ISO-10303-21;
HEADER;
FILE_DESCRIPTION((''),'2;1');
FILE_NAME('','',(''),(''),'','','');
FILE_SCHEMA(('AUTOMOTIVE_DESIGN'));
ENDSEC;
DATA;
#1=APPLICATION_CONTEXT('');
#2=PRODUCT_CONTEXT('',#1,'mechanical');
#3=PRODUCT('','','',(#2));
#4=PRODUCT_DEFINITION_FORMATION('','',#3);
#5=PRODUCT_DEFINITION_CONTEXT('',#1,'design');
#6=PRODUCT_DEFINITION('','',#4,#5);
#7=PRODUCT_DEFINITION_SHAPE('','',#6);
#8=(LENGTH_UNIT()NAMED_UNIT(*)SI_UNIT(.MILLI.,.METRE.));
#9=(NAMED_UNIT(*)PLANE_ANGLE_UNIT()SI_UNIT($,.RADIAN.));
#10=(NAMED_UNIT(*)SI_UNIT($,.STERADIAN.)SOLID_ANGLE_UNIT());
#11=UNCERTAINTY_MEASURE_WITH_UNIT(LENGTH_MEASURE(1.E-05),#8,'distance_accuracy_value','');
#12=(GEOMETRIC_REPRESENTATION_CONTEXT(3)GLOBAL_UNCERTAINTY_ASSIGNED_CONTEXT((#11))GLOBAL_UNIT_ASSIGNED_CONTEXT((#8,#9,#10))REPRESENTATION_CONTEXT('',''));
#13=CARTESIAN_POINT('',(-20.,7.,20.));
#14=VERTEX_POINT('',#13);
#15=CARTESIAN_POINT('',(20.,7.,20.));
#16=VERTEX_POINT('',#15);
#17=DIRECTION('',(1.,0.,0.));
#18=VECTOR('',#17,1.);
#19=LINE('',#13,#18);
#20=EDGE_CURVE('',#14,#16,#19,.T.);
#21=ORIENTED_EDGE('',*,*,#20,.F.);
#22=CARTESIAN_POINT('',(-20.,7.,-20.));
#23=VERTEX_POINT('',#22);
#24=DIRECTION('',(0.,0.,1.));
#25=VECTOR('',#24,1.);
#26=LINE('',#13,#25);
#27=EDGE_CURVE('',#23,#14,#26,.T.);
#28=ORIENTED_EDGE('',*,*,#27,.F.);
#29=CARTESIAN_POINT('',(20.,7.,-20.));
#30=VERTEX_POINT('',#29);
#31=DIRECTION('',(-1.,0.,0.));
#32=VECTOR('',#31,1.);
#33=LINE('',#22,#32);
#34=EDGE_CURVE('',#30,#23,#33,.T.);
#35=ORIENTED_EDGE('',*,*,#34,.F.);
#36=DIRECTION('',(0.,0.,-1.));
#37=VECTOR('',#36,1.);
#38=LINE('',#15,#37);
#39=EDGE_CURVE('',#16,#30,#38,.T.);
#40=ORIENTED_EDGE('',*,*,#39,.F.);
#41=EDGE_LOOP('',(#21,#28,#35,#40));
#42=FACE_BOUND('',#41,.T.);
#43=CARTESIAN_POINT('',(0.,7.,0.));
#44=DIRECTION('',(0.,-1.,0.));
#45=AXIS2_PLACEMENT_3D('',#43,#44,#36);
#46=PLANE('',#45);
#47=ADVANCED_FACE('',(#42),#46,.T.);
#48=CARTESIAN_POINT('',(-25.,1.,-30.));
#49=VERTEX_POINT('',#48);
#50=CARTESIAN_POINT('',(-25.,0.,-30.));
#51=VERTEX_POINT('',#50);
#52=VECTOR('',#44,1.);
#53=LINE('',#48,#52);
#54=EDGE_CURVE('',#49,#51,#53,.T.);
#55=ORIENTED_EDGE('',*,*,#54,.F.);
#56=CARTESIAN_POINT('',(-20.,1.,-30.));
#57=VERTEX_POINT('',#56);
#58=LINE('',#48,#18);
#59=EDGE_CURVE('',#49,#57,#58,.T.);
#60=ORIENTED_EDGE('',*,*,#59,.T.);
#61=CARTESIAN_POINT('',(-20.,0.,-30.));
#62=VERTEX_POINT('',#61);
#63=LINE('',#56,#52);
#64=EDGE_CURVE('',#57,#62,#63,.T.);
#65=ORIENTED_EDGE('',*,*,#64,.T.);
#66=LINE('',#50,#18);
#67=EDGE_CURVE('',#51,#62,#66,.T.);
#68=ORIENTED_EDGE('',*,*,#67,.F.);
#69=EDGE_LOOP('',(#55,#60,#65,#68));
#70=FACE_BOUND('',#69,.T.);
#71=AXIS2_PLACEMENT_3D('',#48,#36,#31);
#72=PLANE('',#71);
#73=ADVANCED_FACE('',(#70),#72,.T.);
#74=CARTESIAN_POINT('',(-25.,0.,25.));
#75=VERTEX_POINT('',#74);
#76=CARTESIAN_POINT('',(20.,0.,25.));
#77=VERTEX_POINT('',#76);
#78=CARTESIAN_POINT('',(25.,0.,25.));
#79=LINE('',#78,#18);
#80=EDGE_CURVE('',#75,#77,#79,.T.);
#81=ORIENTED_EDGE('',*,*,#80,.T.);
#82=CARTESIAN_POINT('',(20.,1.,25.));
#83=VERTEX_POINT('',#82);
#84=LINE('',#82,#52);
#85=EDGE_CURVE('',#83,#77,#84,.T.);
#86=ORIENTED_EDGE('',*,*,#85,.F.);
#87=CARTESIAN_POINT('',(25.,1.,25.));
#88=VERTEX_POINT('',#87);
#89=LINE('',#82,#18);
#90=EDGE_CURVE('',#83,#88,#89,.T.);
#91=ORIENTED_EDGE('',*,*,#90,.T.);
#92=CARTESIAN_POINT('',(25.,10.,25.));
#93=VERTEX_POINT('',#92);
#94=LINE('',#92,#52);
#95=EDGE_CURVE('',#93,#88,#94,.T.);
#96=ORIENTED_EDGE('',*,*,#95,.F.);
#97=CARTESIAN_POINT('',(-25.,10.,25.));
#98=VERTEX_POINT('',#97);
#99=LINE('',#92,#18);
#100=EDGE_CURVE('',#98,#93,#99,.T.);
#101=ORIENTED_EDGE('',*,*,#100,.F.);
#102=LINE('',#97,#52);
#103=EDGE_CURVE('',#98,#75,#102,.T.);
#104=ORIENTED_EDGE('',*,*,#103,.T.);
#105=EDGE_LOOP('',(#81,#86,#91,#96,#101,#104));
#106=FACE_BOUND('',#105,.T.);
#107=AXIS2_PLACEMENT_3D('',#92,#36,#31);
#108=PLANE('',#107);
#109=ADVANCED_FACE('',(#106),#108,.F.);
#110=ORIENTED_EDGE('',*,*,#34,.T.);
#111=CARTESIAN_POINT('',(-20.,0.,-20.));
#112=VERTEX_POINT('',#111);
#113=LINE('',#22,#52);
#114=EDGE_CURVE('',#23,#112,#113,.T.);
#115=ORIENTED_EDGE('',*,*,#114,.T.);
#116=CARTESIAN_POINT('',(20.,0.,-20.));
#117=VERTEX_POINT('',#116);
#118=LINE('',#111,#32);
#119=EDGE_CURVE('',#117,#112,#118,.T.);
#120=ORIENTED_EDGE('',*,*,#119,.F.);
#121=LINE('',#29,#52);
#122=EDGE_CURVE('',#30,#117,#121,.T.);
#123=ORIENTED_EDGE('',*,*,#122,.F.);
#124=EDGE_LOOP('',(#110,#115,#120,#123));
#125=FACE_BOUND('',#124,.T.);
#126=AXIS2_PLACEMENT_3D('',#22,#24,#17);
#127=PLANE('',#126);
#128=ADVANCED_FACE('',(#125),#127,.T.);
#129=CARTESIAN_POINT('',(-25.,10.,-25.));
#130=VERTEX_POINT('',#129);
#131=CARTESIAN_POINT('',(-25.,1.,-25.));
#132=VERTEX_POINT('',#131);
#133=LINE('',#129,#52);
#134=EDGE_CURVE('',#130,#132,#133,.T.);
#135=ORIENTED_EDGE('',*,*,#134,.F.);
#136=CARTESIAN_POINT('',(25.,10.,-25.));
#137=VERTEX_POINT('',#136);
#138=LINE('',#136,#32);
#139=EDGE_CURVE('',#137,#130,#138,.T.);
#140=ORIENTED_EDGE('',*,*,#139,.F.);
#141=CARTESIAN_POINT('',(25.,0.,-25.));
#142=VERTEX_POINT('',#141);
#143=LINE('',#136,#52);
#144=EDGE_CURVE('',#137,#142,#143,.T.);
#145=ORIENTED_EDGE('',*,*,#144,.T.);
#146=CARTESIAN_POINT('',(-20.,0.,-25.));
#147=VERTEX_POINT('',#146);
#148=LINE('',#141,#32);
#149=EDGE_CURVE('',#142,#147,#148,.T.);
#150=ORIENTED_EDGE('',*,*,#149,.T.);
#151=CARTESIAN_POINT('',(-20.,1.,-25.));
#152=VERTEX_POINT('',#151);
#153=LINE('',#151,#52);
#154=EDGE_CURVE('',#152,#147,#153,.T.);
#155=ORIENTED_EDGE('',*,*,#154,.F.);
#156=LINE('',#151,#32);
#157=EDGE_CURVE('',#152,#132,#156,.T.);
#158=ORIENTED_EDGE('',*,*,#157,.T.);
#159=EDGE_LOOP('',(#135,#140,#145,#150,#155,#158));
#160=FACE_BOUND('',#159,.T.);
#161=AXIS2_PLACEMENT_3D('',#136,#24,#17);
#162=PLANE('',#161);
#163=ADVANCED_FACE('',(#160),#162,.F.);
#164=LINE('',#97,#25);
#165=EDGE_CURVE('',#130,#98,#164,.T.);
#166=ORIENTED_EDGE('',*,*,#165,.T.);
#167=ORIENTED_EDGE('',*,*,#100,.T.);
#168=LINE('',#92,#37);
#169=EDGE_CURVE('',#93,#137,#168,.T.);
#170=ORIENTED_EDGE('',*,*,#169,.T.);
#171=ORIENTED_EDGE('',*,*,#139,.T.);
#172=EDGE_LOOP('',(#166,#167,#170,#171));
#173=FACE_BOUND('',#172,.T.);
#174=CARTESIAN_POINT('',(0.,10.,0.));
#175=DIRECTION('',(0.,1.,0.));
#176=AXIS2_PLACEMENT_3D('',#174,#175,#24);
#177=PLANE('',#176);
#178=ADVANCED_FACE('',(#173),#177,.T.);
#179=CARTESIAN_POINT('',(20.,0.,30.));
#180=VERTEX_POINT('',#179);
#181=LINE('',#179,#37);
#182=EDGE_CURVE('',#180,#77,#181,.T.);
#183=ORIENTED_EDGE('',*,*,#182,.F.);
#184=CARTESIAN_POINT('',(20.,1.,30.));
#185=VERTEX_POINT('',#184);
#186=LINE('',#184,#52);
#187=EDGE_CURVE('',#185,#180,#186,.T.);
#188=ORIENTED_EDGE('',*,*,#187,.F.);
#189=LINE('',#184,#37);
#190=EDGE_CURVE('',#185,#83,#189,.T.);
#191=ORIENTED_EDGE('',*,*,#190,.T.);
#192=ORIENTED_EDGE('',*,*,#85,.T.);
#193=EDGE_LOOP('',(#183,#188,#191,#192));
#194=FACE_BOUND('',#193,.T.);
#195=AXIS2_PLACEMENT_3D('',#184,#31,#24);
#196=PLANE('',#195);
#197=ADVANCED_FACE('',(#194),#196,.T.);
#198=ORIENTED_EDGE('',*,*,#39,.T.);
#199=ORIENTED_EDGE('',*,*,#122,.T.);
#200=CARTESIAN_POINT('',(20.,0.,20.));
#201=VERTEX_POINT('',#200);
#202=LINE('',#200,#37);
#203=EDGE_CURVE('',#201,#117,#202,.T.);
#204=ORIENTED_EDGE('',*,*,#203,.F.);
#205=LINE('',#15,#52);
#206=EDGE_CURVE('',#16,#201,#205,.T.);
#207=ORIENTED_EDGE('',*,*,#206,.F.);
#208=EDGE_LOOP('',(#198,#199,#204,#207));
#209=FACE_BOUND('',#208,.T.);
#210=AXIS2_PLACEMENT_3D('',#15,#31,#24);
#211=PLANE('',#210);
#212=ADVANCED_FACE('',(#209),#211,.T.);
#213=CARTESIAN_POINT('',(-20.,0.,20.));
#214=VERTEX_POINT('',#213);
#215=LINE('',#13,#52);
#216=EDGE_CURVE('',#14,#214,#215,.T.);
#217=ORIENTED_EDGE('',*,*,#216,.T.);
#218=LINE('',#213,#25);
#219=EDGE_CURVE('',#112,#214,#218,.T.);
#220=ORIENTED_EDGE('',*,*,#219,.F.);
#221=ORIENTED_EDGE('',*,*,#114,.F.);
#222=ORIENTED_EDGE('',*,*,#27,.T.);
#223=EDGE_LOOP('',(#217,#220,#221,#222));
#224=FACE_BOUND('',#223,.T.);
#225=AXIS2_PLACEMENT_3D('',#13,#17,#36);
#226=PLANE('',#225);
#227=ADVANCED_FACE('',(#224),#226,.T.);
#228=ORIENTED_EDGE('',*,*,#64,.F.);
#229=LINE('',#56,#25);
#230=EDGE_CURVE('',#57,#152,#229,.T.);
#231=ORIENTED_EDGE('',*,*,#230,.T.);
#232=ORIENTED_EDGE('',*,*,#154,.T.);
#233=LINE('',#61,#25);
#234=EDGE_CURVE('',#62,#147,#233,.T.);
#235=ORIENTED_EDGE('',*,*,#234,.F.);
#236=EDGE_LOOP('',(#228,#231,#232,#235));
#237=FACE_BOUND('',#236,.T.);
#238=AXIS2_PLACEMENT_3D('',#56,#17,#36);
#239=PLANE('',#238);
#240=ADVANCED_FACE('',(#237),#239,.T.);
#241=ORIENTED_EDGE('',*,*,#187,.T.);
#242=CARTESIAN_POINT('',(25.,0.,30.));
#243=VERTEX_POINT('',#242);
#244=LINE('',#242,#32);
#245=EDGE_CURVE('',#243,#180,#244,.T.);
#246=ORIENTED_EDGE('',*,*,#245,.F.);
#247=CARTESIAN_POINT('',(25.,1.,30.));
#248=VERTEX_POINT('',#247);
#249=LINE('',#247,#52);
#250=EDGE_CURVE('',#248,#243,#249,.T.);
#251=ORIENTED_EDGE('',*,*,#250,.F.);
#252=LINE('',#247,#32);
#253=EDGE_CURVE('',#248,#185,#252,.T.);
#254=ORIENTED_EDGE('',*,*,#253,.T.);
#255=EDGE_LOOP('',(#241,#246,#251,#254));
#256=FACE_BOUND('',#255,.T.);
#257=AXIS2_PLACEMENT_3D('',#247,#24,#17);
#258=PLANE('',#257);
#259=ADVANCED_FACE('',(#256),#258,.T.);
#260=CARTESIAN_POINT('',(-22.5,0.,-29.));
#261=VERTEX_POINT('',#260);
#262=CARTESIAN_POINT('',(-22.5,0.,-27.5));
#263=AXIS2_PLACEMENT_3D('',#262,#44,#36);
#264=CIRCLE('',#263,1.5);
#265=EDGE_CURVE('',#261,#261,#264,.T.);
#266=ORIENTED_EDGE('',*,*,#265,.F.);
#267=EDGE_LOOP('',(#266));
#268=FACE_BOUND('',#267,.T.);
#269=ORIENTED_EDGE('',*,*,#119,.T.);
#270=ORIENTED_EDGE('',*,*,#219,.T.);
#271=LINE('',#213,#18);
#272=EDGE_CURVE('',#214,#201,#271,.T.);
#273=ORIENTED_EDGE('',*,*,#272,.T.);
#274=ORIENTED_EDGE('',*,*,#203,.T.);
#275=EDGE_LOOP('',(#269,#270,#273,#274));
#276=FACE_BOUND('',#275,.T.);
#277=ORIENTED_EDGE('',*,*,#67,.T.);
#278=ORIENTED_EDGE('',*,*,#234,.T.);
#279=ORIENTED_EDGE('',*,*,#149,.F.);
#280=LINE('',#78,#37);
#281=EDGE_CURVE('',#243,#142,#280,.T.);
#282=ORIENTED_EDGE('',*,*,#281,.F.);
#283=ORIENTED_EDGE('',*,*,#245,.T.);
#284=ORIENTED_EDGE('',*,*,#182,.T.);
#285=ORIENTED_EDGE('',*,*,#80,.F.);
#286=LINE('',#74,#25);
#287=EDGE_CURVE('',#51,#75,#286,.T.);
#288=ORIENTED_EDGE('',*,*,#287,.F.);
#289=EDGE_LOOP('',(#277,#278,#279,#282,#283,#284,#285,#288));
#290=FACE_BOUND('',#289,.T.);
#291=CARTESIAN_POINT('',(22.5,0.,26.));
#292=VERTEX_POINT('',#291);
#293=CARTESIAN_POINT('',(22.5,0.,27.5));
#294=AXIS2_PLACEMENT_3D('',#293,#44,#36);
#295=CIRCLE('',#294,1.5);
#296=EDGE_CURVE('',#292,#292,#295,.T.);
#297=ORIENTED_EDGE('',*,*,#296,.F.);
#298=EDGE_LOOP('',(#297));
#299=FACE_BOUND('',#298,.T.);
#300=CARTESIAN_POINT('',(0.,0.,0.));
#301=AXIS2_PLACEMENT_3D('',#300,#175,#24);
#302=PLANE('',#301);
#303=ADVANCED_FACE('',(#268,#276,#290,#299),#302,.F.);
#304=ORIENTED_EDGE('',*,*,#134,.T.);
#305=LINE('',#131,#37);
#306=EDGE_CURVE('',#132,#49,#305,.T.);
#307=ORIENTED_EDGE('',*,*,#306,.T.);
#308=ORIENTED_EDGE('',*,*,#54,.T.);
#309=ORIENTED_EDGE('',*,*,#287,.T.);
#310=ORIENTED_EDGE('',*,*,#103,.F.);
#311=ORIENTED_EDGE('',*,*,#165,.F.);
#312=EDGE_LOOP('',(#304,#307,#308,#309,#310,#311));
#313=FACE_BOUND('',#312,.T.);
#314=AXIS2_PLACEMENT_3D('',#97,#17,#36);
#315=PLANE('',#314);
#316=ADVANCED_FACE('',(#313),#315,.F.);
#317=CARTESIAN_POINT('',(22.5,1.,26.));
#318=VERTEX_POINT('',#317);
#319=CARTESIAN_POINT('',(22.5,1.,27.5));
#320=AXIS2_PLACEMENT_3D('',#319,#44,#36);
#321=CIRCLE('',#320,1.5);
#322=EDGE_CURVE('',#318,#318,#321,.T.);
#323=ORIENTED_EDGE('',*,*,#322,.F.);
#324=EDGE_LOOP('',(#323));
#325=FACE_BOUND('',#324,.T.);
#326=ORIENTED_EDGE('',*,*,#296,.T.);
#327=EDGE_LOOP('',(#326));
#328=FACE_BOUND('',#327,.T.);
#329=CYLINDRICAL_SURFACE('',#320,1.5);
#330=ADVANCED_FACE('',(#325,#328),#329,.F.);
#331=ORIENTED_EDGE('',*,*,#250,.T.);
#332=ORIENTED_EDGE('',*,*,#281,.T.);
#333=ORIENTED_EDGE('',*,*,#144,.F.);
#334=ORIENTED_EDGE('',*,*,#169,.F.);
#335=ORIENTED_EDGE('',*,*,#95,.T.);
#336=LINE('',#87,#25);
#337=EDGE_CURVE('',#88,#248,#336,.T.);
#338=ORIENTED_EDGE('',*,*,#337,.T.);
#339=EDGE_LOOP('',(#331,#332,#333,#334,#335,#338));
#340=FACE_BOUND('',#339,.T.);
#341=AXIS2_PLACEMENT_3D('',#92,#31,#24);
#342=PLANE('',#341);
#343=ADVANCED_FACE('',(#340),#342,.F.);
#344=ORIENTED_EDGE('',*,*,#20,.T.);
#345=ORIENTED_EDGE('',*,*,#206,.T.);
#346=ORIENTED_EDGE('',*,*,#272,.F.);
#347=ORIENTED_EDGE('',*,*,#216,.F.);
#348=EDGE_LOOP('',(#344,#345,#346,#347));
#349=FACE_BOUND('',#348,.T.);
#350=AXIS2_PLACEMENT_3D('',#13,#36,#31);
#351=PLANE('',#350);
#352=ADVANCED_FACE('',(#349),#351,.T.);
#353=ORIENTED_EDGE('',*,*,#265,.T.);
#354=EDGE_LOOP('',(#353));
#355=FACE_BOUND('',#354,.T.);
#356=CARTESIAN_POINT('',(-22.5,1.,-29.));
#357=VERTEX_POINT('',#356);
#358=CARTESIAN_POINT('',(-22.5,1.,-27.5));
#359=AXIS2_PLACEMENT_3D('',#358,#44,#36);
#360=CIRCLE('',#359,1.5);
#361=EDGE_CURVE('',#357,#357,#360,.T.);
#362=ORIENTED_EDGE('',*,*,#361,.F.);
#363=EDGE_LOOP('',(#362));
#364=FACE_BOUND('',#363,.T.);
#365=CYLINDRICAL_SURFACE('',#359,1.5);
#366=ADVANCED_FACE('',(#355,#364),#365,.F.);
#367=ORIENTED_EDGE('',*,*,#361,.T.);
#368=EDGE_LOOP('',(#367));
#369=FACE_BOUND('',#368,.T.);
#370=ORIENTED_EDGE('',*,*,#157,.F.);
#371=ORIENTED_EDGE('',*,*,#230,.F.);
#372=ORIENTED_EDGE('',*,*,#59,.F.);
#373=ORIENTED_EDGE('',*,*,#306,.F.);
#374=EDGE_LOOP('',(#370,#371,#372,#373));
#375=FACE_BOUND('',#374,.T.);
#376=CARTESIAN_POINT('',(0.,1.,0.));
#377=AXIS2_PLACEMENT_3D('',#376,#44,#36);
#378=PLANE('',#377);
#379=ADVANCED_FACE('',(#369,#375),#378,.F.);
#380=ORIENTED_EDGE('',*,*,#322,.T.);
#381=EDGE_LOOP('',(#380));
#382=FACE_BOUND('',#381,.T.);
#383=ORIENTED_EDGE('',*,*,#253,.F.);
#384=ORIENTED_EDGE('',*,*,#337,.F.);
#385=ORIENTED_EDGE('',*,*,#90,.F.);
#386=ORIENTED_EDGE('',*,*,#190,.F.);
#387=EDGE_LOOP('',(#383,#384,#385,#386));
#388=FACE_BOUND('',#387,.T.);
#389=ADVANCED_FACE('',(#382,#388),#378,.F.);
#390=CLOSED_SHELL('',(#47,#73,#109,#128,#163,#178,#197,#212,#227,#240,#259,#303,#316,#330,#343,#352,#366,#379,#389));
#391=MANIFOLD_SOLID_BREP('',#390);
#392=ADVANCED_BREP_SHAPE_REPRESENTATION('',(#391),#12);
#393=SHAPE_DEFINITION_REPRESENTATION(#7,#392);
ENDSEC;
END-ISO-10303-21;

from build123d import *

# Parameters (mm, degrees)
SKETCH4_W           = 50
SKETCH4_H           = 50
BOSS_EXTRUDE1_DEPTH = 10
SKETCH5_W           = 40
SKETCH5_H           = 40
CUT_EXTRUDE1_DEPTH  = 7
SKETCH9_W           = 5
SKETCH9_H           = 5
SKETCH9_R           = 1.5
BOSS_EXTRUDE4_DEPTH = 1


with BuildPart() as part:
    # Sketch4 → Boss-Extrude1 (new body)
    with BuildSketch(Plane(origin=(0, 0, 0), x_dir=(1, 0, 0), z_dir=(0, 1, 0))):
        Rectangle(SKETCH4_W, SKETCH4_H)
    extrude(amount=BOSS_EXTRUDE1_DEPTH)

    # Sketch5 → Cut-Extrude1 (cut)
    with BuildSketch(Plane(origin=(0, 0, 0), x_dir=(1, 0, 0), z_dir=(0, 1, 0))):
        Rectangle(SKETCH5_W, SKETCH5_H)
    extrude(amount=CUT_EXTRUDE1_DEPTH, mode=Mode.SUBTRACT)

    # Sketch9 → Boss-Extrude4 (add)
    with BuildSketch(Plane.XZ):
        with Locations((-22.5, -27.5)):
            Rectangle(SKETCH9_W, SKETCH9_H)
        with Locations(Location((-22.5, -27.5, 0), (0, 0, 270))):  # turned: the seam where the file's is
            Circle(SKETCH9_R, mode=Mode.SUBTRACT)
        with Locations((22.5, 27.5)):
            Rectangle(SKETCH9_W, SKETCH9_H)
        with Locations(Location((22.5, 27.5, 0), (0, 0, 270))):  # turned: the seam where the file's is
            Circle(SKETCH9_R, mode=Mode.SUBTRACT)
    extrude(amount=-BOSS_EXTRUDE4_DEPTH)


solid = part.part
